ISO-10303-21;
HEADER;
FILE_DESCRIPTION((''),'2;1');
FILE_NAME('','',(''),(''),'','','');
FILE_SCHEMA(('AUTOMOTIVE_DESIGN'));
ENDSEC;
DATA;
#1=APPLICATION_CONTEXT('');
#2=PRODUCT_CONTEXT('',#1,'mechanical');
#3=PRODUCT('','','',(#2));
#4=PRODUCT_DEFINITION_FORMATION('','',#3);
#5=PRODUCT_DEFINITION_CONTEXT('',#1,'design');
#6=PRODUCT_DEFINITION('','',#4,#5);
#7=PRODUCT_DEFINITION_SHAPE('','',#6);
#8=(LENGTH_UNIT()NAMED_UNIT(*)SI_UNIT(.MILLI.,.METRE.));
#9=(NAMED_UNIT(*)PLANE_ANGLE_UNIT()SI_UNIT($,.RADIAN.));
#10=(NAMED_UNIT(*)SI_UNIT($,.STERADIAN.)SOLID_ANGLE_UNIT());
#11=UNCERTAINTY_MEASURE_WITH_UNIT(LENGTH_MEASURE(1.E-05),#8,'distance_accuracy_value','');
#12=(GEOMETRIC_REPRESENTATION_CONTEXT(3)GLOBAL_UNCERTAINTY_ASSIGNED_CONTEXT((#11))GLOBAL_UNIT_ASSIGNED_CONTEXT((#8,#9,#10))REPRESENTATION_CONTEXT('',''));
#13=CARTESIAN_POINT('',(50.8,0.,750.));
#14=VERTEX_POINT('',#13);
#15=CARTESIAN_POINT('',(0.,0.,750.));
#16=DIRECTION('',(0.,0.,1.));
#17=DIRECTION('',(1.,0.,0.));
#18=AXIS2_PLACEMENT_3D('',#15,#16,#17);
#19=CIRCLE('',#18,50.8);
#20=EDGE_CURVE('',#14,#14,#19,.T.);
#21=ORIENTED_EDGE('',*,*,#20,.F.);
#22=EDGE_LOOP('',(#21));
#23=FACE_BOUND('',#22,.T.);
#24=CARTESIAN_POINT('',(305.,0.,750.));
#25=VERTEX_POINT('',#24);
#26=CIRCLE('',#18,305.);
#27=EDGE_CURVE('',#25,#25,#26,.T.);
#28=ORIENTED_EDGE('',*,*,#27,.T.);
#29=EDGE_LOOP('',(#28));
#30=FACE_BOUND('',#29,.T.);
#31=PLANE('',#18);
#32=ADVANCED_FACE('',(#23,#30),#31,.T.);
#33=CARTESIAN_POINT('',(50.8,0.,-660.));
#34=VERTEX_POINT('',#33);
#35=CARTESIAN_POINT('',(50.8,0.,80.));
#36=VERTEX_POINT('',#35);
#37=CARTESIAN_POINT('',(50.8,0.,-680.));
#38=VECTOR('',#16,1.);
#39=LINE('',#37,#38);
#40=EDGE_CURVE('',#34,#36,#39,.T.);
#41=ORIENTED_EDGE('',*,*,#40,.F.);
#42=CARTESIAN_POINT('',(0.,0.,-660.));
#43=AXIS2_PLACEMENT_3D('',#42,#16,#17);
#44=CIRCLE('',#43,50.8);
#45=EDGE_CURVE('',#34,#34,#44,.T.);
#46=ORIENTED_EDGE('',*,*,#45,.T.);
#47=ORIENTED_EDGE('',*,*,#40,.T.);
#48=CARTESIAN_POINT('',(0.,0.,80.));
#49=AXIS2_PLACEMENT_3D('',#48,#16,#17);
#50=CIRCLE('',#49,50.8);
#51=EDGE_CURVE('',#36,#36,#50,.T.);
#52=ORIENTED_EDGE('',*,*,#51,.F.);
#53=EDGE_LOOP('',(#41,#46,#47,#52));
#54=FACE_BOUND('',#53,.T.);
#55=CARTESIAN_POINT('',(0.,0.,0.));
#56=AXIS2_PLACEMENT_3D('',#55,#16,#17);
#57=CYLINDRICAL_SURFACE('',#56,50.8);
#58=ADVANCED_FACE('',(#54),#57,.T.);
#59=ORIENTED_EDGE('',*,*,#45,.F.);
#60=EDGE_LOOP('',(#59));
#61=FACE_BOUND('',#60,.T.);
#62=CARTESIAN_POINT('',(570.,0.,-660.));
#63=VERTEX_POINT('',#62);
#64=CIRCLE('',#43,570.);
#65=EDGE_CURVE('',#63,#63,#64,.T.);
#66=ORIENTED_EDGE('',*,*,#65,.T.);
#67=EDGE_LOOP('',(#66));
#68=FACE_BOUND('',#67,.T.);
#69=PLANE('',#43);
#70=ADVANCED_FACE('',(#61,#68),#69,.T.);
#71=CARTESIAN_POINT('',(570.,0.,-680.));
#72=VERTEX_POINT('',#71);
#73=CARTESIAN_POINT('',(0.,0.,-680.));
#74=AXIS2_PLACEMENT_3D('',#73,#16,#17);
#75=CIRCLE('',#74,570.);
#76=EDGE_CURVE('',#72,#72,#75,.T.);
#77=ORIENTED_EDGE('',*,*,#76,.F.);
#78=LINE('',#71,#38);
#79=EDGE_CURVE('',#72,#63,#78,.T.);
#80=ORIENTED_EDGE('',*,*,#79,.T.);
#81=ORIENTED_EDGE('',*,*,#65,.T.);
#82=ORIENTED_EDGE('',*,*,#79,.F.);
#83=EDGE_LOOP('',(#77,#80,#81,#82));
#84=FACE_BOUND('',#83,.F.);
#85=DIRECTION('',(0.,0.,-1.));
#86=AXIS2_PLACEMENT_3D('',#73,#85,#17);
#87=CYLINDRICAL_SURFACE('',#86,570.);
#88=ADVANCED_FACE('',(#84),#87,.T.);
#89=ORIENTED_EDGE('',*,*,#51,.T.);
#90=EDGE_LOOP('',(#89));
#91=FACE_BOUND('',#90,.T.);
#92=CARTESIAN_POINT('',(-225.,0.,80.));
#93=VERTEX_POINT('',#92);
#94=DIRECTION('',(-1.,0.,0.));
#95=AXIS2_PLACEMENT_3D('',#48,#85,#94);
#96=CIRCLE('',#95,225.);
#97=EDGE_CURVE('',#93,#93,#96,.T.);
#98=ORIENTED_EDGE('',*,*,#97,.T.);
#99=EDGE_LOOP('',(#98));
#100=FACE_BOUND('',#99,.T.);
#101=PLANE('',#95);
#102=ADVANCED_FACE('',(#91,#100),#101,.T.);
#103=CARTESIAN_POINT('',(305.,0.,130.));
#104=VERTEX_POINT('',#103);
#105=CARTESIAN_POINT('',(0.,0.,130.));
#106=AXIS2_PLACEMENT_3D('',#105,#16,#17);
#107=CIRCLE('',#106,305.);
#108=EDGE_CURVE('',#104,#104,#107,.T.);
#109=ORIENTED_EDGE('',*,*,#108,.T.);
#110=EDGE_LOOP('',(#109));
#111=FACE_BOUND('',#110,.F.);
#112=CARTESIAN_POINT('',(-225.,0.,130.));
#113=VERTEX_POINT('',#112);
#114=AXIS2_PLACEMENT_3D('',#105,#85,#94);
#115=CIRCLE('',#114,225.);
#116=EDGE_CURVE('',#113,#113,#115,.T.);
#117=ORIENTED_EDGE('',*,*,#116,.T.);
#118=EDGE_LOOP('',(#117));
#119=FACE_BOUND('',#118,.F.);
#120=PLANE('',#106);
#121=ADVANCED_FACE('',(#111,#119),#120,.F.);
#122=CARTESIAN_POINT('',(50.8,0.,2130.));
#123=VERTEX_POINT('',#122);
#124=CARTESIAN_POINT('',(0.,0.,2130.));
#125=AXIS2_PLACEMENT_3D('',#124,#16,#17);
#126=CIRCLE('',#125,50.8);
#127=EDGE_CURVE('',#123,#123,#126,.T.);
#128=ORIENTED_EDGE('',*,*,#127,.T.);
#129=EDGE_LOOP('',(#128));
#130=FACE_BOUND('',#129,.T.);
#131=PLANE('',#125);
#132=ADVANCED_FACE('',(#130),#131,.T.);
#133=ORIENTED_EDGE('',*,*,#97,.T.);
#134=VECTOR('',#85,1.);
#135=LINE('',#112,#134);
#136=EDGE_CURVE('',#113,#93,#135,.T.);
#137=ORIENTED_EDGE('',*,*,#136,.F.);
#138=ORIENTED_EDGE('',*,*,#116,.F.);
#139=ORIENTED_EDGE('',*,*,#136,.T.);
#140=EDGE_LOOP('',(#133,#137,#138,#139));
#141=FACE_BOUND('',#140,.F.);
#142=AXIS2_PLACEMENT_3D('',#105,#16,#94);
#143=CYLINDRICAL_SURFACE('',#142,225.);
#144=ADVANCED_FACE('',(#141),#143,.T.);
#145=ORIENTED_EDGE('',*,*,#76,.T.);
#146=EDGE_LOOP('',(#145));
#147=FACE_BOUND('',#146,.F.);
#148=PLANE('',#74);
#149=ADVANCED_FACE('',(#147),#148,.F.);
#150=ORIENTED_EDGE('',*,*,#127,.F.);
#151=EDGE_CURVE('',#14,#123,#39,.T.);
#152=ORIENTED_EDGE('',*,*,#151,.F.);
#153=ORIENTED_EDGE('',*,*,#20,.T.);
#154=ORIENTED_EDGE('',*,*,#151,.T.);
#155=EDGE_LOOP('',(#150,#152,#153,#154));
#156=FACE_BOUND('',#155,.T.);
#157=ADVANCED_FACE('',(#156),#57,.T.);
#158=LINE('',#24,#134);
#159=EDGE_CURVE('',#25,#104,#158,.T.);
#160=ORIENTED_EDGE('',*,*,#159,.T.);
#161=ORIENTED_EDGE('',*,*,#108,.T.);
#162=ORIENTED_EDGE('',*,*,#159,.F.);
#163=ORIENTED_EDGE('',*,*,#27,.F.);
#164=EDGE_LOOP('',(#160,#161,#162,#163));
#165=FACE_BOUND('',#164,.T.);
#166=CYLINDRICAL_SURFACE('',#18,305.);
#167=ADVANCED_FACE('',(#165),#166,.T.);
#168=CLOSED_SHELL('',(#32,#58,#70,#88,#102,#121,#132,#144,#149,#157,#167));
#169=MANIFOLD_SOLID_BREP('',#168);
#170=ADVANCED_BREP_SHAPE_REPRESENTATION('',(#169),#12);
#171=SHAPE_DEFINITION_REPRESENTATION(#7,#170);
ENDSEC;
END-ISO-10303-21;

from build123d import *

# Parameters (mm, degrees)
SKETCH1_R                = 50.8
BOSS_EXTRUDE1_DEPTH      = 2130
BOSS_EXTRUDE1_DEPTH_BACK = 680
SKETCH2_R                = 570
BOSS_EXTRUDE2_DEPTH      = 20
BOSS_EXTRUDE3_START      = -1380
SKETCH7_R                = 305
BOSS_EXTRUDE3_DEPTH      = 620
SKETCH8_R                = 225
BOSS_EXTRUDE4_DEPTH      = 50


with BuildPart() as part:
    # Sketch1 → Boss-Extrude1 (new body, two sides)
    with BuildSketch(Plane.XY) as boss_extrude1_sk:
        Circle(SKETCH1_R)
    extrude(amount=BOSS_EXTRUDE1_DEPTH)
    extrude(boss_extrude1_sk.sketch, amount=-BOSS_EXTRUDE1_DEPTH_BACK)

    # Sketch2 → Boss-Extrude2 (add)
    with BuildSketch(Plane.XY.offset(-680)):
        Circle(SKETCH2_R)
    extrude(amount=BOSS_EXTRUDE2_DEPTH)

    # Sketch7 → Boss-Extrude3 (add)
    with BuildSketch(Plane.XY.offset(2130).offset(BOSS_EXTRUDE3_START)):
        Circle(SKETCH7_R)
    extrude(amount=-BOSS_EXTRUDE3_DEPTH)

    # Sketch8 → Boss-Extrude4 (add)
    with BuildSketch(Plane(origin=(0, 0, 130), x_dir=(-1, 0, 0), z_dir=(0, 0, -1))):
        Circle(SKETCH8_R)
    extrude(amount=BOSS_EXTRUDE4_DEPTH)


solid = part.part
